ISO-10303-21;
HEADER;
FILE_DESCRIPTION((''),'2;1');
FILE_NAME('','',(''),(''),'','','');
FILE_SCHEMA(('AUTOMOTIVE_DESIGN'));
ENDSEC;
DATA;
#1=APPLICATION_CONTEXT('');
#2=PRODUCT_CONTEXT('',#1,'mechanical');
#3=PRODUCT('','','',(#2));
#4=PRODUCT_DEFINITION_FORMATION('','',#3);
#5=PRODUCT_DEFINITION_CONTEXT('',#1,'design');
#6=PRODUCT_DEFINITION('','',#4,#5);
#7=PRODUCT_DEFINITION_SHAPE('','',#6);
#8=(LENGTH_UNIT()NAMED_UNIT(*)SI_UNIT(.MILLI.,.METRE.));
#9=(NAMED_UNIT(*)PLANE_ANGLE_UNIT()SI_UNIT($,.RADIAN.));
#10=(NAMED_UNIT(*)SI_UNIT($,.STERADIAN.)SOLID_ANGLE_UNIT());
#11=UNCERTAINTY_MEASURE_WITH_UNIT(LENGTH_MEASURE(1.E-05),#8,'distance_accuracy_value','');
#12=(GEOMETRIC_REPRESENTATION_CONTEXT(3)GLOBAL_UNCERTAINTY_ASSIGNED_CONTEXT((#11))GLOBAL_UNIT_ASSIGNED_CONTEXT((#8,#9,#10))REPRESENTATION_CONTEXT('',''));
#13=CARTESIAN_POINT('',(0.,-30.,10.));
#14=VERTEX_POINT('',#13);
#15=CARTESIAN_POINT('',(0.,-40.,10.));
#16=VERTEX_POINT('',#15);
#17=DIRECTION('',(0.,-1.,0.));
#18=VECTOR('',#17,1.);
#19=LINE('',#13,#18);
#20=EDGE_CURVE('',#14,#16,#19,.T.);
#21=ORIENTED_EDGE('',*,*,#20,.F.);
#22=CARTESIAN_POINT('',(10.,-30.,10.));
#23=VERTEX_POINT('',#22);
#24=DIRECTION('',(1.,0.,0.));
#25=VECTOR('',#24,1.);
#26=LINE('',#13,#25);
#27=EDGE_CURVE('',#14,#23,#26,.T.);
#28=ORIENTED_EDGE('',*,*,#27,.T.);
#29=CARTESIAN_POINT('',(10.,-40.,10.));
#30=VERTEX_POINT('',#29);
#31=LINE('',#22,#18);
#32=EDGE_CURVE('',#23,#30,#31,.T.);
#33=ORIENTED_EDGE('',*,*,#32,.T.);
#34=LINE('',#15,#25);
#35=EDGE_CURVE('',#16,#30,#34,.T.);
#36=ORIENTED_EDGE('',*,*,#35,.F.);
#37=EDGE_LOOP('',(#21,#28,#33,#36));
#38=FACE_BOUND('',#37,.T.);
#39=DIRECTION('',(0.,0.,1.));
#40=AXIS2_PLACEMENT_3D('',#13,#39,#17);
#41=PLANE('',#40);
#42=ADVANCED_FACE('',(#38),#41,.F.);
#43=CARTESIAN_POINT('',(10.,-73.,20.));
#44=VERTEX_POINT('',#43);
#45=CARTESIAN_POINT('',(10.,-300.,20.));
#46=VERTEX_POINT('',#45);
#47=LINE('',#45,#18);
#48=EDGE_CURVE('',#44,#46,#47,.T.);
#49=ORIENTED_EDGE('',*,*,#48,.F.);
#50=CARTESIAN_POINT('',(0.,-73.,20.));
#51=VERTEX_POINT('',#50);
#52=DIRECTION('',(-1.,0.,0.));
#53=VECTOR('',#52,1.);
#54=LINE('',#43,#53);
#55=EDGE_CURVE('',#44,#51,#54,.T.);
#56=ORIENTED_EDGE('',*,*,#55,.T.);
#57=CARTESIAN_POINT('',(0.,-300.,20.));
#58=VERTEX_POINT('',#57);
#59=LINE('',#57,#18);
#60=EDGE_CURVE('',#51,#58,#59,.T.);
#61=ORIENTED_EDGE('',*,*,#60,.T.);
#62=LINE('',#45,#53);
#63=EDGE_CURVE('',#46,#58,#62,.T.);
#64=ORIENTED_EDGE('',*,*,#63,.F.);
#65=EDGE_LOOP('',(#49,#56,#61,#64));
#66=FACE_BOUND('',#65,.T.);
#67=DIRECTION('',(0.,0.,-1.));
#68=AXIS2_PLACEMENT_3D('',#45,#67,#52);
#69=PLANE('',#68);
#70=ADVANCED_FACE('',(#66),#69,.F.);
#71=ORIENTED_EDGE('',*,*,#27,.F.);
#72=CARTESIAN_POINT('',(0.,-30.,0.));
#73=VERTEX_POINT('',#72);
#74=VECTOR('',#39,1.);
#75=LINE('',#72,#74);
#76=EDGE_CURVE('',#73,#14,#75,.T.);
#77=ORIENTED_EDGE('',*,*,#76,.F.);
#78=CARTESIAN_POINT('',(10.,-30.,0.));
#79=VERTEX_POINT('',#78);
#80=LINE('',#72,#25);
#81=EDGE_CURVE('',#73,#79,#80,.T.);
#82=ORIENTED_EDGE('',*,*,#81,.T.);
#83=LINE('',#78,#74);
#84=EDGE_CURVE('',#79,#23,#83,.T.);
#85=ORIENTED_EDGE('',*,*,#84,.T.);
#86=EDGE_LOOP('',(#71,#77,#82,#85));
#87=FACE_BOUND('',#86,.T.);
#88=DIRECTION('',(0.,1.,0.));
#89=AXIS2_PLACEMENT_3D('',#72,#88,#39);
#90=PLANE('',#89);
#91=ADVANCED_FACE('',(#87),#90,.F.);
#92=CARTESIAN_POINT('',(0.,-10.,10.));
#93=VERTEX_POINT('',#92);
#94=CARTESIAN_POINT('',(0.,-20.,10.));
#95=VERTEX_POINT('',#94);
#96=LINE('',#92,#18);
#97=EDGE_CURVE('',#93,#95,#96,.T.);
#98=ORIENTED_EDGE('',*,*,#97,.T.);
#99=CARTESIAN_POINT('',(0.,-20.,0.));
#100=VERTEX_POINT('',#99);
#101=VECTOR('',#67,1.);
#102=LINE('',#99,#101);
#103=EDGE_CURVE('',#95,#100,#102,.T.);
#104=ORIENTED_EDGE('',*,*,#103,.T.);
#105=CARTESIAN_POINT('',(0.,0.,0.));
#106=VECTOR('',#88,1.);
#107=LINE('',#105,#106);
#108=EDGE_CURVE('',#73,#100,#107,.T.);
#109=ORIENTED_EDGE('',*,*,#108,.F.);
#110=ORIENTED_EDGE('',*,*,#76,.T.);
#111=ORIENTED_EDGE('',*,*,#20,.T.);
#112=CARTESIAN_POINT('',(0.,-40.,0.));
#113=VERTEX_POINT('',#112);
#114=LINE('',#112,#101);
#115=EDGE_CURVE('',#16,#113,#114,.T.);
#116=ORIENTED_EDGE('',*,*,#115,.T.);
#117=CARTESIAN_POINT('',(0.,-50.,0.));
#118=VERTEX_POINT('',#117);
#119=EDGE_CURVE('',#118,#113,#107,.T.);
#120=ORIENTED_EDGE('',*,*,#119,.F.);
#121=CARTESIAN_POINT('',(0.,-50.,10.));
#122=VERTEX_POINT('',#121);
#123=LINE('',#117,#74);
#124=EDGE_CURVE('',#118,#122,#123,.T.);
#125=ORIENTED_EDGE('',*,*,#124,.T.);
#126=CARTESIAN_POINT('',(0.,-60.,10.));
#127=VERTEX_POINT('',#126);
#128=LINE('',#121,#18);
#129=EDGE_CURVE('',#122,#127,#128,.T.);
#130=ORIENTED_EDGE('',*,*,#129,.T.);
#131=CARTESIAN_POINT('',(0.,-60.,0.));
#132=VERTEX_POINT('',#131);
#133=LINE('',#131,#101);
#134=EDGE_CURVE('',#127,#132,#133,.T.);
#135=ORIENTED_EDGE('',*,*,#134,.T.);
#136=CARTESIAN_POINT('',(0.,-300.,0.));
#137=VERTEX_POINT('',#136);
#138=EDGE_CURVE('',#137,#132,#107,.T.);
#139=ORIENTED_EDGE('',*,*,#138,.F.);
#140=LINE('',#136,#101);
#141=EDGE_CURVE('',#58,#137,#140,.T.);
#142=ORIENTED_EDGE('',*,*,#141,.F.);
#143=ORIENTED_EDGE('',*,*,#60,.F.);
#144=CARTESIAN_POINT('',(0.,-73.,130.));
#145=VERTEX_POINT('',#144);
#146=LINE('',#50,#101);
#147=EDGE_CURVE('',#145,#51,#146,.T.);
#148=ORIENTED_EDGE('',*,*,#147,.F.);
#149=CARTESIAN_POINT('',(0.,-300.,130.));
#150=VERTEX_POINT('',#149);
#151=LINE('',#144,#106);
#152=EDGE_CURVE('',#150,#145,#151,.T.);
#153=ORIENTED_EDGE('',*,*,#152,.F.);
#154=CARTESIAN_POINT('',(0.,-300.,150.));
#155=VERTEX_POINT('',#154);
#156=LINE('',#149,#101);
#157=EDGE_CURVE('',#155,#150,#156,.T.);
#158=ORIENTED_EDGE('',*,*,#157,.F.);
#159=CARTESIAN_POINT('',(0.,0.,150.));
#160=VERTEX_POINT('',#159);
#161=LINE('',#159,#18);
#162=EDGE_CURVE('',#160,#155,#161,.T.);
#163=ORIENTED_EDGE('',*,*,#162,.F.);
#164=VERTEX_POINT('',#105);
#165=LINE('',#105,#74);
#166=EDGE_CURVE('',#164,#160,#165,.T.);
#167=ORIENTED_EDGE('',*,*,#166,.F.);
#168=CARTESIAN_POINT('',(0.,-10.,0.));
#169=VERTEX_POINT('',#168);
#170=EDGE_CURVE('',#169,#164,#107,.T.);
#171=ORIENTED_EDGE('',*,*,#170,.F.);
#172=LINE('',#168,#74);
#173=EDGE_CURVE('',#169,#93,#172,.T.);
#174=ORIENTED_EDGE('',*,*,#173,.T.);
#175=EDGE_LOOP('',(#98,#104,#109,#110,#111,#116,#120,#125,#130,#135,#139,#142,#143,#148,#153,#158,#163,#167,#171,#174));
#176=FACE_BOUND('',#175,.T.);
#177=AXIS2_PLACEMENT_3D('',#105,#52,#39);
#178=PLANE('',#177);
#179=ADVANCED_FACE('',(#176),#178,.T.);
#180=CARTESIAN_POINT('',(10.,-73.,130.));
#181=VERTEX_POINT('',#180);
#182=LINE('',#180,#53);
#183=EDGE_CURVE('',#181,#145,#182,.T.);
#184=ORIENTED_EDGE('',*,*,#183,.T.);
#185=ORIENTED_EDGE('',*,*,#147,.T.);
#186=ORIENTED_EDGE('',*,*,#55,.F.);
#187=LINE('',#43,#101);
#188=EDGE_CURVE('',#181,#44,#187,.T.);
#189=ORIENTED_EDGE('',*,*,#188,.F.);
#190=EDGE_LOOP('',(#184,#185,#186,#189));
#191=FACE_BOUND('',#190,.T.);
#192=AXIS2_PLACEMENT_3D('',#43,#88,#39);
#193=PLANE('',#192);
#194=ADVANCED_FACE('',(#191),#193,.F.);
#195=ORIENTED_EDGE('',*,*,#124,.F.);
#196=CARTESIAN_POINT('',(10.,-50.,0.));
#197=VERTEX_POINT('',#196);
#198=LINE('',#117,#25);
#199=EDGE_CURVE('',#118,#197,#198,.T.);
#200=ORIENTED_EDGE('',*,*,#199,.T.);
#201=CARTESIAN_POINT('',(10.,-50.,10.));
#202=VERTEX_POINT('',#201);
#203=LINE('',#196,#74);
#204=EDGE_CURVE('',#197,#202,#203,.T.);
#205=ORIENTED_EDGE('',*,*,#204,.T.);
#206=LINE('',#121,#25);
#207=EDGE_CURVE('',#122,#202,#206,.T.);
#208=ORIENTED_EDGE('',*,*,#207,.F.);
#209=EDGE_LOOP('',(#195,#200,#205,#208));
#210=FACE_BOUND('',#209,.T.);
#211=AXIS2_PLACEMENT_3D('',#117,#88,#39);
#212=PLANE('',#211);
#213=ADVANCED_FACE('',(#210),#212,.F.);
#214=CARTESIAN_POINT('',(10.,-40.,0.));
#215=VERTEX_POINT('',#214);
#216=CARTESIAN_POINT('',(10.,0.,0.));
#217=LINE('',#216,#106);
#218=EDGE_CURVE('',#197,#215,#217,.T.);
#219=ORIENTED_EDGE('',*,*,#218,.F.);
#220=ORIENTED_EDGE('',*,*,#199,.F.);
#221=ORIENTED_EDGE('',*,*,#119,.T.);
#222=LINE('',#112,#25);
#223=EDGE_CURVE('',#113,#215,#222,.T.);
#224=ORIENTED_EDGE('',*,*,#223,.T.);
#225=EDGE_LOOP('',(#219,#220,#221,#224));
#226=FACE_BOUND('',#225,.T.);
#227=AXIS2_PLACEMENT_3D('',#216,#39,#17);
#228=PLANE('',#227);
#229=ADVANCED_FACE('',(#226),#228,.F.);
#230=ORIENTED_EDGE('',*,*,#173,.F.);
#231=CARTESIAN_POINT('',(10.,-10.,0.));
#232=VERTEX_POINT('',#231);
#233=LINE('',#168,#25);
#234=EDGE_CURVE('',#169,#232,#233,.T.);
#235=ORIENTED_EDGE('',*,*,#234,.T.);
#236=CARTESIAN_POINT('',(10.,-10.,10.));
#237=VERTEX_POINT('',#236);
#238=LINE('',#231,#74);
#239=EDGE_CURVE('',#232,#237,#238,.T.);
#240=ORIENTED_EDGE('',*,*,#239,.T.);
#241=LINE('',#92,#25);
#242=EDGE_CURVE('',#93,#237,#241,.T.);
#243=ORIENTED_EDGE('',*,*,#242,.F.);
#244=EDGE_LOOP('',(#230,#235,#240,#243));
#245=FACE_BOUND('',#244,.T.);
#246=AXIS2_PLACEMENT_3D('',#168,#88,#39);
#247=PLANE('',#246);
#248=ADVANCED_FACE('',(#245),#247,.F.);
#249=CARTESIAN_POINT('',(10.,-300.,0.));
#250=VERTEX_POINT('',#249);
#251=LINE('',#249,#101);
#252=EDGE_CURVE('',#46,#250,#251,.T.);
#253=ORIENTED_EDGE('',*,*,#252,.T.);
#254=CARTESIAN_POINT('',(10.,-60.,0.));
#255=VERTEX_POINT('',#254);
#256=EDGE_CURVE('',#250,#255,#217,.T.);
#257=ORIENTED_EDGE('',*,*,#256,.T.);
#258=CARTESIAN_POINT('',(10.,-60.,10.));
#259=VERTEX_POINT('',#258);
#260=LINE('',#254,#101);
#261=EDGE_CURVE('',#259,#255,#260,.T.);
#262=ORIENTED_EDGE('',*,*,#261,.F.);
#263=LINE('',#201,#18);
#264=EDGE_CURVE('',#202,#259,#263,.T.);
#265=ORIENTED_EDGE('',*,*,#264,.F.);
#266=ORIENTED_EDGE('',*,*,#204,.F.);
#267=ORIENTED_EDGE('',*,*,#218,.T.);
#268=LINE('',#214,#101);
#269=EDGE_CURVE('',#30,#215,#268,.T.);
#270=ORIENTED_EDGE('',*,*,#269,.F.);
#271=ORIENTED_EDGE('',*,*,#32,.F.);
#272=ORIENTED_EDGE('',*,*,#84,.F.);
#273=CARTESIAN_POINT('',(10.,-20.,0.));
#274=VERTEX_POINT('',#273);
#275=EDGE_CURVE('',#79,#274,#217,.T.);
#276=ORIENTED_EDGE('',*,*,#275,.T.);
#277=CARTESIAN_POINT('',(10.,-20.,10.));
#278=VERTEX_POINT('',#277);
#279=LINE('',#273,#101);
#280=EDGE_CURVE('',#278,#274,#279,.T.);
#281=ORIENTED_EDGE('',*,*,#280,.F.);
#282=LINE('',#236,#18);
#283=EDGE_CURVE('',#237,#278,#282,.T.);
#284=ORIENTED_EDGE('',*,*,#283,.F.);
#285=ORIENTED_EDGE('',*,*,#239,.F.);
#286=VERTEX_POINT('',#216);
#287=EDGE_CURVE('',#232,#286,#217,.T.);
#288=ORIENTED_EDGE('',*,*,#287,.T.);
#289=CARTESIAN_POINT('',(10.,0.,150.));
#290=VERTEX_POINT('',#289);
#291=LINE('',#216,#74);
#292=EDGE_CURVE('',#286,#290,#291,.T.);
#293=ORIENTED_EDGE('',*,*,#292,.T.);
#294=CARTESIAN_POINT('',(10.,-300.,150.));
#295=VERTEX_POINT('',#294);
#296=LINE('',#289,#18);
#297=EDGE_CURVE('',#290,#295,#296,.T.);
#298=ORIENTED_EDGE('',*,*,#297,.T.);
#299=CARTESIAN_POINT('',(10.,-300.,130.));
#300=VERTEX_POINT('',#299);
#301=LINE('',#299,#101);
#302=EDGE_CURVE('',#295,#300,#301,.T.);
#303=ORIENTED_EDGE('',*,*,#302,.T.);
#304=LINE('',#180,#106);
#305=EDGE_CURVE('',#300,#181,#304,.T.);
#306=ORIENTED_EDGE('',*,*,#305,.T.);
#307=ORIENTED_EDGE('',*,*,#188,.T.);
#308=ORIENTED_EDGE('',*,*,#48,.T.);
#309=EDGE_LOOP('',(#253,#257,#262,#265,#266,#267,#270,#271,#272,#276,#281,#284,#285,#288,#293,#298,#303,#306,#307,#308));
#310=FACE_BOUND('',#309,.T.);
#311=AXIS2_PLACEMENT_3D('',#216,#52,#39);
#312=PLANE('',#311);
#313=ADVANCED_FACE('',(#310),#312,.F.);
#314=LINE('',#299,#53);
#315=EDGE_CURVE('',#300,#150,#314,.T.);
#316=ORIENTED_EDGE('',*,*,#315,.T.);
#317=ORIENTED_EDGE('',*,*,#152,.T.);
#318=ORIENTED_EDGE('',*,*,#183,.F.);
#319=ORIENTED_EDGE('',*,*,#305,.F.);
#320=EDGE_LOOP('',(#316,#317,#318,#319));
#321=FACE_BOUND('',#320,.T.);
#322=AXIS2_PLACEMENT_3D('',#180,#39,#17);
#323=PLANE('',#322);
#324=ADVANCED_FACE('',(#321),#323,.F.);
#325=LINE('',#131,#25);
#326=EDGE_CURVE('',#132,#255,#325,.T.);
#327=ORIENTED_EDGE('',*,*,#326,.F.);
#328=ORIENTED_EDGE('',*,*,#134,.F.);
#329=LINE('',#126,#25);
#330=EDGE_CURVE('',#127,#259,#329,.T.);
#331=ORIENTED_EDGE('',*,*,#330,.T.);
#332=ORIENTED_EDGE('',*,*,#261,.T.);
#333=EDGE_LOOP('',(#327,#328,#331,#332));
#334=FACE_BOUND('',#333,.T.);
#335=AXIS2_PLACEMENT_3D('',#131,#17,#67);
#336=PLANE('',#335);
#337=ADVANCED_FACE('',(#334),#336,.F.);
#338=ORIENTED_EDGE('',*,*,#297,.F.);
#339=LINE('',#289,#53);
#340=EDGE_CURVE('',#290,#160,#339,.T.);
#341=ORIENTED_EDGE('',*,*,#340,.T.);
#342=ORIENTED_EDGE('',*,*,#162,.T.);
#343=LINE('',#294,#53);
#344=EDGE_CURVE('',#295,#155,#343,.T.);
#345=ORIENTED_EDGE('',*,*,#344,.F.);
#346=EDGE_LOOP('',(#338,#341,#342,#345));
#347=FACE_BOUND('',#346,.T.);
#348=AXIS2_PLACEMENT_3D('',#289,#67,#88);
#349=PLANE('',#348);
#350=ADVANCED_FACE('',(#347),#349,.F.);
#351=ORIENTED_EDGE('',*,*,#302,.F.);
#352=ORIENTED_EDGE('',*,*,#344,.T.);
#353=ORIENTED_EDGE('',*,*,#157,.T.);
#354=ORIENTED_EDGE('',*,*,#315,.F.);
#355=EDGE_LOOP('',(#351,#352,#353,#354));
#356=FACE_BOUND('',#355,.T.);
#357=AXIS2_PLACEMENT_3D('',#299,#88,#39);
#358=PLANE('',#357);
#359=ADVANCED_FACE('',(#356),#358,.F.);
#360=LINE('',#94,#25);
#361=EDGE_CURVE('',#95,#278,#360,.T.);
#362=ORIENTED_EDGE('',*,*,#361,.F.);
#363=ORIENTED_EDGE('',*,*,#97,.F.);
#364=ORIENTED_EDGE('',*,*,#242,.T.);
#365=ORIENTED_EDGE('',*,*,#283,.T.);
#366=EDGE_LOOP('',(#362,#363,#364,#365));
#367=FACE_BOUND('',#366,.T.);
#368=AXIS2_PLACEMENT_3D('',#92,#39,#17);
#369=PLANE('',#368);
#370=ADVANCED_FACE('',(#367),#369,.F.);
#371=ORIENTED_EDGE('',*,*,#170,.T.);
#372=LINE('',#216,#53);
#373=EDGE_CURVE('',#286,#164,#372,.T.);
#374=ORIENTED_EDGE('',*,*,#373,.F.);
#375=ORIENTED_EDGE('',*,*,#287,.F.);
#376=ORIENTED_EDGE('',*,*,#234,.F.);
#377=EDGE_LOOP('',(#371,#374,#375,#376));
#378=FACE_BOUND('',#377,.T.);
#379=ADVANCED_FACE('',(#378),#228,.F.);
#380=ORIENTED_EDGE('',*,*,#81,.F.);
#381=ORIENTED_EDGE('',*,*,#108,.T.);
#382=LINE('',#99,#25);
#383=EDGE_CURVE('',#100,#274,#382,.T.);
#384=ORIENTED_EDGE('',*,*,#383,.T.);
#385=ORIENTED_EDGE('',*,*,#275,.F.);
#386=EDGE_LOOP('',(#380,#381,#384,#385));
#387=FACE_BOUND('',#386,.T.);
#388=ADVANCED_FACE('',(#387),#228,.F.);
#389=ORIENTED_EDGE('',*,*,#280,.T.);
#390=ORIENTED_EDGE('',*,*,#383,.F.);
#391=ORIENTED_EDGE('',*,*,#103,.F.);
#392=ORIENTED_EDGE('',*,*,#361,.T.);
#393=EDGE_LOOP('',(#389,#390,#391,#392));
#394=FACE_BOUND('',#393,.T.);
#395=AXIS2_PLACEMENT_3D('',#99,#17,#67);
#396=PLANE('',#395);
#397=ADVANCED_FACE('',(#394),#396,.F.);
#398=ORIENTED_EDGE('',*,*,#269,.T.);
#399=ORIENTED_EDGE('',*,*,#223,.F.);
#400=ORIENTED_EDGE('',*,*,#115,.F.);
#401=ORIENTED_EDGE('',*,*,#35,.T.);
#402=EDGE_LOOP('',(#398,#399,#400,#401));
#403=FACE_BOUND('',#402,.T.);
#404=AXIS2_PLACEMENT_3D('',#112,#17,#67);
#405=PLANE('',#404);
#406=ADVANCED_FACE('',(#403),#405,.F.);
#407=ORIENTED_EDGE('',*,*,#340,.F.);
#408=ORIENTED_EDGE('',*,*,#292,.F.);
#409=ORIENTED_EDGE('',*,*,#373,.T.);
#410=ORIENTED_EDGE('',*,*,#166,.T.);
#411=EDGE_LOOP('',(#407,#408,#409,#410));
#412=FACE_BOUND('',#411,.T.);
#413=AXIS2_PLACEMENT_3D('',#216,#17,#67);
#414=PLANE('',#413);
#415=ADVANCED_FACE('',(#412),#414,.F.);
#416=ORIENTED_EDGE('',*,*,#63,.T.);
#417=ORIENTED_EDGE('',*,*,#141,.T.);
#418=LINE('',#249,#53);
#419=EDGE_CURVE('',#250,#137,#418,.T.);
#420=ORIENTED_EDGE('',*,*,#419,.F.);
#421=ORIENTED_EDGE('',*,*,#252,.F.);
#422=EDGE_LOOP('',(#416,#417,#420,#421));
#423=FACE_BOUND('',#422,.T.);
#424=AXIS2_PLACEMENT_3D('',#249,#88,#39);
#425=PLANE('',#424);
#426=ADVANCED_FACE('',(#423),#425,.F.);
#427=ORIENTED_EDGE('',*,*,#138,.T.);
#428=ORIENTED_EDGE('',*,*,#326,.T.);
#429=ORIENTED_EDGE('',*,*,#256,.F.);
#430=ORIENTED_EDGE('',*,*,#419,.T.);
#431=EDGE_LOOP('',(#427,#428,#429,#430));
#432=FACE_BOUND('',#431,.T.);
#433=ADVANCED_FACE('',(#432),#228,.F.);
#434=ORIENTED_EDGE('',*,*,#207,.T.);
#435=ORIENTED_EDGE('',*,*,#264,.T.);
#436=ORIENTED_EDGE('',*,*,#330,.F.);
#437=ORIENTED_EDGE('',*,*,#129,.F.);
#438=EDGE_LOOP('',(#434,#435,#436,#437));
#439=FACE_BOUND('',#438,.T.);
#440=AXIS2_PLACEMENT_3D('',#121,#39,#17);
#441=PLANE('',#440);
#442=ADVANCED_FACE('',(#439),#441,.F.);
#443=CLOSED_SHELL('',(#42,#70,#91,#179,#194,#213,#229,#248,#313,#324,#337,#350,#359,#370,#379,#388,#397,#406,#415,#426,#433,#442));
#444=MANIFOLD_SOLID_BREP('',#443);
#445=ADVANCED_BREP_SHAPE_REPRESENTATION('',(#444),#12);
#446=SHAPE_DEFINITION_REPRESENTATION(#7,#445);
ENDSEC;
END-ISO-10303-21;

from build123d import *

# Parameters (mm, degrees)
BOSS_EXTRU_1_DEPTH         = 10
ESQUISSE2_W                = 10
ESQUISSE2_H                = 10
ENL_V_MAT_EXTRU_1_DEPTH    = 10
R_P_TITION_LIN_AIRE1_COUNT = 3
R_P_TITION_LIN_AIRE1_PITCH = 20


with BuildPart() as part:
    # Esquisse1 → Boss.-Extru.1 (new body)
    with BuildSketch(Plane(origin=(0, 0, 0), x_dir=(0, 0, -1), z_dir=(1, 0, 0))):
        Polygon((0, -300), (-20, -300), (-20, -73), (-130, -73), (-130, -300), (-150, -300), (-150, 0), (0, 0), align=None)
    extrude(amount=BOSS_EXTRU_1_DEPTH)

    # Esquisse2 → Enlèv. mat.-Extru.1 (cut)
    with BuildSketch(Plane(origin=(10, 0, 0), x_dir=(0, 0, -1), z_dir=(1, 0, 0))):
        with Locations((-5, -15)):
            Rectangle(ESQUISSE2_W, ESQUISSE2_H)
    enl_v_mat_extru_1 = extrude(amount=-ENL_V_MAT_EXTRU_1_DEPTH, mode=Mode.SUBTRACT)

    # Répétition linéaire1: Enlèv. mat.-Extru.1 ×3
    with Locations(*[(0, -i * R_P_TITION_LIN_AIRE1_PITCH, 0) for i in range(1, R_P_TITION_LIN_AIRE1_COUNT)]):
        add(enl_v_mat_extru_1, mode=Mode.SUBTRACT)


solid = part.part
